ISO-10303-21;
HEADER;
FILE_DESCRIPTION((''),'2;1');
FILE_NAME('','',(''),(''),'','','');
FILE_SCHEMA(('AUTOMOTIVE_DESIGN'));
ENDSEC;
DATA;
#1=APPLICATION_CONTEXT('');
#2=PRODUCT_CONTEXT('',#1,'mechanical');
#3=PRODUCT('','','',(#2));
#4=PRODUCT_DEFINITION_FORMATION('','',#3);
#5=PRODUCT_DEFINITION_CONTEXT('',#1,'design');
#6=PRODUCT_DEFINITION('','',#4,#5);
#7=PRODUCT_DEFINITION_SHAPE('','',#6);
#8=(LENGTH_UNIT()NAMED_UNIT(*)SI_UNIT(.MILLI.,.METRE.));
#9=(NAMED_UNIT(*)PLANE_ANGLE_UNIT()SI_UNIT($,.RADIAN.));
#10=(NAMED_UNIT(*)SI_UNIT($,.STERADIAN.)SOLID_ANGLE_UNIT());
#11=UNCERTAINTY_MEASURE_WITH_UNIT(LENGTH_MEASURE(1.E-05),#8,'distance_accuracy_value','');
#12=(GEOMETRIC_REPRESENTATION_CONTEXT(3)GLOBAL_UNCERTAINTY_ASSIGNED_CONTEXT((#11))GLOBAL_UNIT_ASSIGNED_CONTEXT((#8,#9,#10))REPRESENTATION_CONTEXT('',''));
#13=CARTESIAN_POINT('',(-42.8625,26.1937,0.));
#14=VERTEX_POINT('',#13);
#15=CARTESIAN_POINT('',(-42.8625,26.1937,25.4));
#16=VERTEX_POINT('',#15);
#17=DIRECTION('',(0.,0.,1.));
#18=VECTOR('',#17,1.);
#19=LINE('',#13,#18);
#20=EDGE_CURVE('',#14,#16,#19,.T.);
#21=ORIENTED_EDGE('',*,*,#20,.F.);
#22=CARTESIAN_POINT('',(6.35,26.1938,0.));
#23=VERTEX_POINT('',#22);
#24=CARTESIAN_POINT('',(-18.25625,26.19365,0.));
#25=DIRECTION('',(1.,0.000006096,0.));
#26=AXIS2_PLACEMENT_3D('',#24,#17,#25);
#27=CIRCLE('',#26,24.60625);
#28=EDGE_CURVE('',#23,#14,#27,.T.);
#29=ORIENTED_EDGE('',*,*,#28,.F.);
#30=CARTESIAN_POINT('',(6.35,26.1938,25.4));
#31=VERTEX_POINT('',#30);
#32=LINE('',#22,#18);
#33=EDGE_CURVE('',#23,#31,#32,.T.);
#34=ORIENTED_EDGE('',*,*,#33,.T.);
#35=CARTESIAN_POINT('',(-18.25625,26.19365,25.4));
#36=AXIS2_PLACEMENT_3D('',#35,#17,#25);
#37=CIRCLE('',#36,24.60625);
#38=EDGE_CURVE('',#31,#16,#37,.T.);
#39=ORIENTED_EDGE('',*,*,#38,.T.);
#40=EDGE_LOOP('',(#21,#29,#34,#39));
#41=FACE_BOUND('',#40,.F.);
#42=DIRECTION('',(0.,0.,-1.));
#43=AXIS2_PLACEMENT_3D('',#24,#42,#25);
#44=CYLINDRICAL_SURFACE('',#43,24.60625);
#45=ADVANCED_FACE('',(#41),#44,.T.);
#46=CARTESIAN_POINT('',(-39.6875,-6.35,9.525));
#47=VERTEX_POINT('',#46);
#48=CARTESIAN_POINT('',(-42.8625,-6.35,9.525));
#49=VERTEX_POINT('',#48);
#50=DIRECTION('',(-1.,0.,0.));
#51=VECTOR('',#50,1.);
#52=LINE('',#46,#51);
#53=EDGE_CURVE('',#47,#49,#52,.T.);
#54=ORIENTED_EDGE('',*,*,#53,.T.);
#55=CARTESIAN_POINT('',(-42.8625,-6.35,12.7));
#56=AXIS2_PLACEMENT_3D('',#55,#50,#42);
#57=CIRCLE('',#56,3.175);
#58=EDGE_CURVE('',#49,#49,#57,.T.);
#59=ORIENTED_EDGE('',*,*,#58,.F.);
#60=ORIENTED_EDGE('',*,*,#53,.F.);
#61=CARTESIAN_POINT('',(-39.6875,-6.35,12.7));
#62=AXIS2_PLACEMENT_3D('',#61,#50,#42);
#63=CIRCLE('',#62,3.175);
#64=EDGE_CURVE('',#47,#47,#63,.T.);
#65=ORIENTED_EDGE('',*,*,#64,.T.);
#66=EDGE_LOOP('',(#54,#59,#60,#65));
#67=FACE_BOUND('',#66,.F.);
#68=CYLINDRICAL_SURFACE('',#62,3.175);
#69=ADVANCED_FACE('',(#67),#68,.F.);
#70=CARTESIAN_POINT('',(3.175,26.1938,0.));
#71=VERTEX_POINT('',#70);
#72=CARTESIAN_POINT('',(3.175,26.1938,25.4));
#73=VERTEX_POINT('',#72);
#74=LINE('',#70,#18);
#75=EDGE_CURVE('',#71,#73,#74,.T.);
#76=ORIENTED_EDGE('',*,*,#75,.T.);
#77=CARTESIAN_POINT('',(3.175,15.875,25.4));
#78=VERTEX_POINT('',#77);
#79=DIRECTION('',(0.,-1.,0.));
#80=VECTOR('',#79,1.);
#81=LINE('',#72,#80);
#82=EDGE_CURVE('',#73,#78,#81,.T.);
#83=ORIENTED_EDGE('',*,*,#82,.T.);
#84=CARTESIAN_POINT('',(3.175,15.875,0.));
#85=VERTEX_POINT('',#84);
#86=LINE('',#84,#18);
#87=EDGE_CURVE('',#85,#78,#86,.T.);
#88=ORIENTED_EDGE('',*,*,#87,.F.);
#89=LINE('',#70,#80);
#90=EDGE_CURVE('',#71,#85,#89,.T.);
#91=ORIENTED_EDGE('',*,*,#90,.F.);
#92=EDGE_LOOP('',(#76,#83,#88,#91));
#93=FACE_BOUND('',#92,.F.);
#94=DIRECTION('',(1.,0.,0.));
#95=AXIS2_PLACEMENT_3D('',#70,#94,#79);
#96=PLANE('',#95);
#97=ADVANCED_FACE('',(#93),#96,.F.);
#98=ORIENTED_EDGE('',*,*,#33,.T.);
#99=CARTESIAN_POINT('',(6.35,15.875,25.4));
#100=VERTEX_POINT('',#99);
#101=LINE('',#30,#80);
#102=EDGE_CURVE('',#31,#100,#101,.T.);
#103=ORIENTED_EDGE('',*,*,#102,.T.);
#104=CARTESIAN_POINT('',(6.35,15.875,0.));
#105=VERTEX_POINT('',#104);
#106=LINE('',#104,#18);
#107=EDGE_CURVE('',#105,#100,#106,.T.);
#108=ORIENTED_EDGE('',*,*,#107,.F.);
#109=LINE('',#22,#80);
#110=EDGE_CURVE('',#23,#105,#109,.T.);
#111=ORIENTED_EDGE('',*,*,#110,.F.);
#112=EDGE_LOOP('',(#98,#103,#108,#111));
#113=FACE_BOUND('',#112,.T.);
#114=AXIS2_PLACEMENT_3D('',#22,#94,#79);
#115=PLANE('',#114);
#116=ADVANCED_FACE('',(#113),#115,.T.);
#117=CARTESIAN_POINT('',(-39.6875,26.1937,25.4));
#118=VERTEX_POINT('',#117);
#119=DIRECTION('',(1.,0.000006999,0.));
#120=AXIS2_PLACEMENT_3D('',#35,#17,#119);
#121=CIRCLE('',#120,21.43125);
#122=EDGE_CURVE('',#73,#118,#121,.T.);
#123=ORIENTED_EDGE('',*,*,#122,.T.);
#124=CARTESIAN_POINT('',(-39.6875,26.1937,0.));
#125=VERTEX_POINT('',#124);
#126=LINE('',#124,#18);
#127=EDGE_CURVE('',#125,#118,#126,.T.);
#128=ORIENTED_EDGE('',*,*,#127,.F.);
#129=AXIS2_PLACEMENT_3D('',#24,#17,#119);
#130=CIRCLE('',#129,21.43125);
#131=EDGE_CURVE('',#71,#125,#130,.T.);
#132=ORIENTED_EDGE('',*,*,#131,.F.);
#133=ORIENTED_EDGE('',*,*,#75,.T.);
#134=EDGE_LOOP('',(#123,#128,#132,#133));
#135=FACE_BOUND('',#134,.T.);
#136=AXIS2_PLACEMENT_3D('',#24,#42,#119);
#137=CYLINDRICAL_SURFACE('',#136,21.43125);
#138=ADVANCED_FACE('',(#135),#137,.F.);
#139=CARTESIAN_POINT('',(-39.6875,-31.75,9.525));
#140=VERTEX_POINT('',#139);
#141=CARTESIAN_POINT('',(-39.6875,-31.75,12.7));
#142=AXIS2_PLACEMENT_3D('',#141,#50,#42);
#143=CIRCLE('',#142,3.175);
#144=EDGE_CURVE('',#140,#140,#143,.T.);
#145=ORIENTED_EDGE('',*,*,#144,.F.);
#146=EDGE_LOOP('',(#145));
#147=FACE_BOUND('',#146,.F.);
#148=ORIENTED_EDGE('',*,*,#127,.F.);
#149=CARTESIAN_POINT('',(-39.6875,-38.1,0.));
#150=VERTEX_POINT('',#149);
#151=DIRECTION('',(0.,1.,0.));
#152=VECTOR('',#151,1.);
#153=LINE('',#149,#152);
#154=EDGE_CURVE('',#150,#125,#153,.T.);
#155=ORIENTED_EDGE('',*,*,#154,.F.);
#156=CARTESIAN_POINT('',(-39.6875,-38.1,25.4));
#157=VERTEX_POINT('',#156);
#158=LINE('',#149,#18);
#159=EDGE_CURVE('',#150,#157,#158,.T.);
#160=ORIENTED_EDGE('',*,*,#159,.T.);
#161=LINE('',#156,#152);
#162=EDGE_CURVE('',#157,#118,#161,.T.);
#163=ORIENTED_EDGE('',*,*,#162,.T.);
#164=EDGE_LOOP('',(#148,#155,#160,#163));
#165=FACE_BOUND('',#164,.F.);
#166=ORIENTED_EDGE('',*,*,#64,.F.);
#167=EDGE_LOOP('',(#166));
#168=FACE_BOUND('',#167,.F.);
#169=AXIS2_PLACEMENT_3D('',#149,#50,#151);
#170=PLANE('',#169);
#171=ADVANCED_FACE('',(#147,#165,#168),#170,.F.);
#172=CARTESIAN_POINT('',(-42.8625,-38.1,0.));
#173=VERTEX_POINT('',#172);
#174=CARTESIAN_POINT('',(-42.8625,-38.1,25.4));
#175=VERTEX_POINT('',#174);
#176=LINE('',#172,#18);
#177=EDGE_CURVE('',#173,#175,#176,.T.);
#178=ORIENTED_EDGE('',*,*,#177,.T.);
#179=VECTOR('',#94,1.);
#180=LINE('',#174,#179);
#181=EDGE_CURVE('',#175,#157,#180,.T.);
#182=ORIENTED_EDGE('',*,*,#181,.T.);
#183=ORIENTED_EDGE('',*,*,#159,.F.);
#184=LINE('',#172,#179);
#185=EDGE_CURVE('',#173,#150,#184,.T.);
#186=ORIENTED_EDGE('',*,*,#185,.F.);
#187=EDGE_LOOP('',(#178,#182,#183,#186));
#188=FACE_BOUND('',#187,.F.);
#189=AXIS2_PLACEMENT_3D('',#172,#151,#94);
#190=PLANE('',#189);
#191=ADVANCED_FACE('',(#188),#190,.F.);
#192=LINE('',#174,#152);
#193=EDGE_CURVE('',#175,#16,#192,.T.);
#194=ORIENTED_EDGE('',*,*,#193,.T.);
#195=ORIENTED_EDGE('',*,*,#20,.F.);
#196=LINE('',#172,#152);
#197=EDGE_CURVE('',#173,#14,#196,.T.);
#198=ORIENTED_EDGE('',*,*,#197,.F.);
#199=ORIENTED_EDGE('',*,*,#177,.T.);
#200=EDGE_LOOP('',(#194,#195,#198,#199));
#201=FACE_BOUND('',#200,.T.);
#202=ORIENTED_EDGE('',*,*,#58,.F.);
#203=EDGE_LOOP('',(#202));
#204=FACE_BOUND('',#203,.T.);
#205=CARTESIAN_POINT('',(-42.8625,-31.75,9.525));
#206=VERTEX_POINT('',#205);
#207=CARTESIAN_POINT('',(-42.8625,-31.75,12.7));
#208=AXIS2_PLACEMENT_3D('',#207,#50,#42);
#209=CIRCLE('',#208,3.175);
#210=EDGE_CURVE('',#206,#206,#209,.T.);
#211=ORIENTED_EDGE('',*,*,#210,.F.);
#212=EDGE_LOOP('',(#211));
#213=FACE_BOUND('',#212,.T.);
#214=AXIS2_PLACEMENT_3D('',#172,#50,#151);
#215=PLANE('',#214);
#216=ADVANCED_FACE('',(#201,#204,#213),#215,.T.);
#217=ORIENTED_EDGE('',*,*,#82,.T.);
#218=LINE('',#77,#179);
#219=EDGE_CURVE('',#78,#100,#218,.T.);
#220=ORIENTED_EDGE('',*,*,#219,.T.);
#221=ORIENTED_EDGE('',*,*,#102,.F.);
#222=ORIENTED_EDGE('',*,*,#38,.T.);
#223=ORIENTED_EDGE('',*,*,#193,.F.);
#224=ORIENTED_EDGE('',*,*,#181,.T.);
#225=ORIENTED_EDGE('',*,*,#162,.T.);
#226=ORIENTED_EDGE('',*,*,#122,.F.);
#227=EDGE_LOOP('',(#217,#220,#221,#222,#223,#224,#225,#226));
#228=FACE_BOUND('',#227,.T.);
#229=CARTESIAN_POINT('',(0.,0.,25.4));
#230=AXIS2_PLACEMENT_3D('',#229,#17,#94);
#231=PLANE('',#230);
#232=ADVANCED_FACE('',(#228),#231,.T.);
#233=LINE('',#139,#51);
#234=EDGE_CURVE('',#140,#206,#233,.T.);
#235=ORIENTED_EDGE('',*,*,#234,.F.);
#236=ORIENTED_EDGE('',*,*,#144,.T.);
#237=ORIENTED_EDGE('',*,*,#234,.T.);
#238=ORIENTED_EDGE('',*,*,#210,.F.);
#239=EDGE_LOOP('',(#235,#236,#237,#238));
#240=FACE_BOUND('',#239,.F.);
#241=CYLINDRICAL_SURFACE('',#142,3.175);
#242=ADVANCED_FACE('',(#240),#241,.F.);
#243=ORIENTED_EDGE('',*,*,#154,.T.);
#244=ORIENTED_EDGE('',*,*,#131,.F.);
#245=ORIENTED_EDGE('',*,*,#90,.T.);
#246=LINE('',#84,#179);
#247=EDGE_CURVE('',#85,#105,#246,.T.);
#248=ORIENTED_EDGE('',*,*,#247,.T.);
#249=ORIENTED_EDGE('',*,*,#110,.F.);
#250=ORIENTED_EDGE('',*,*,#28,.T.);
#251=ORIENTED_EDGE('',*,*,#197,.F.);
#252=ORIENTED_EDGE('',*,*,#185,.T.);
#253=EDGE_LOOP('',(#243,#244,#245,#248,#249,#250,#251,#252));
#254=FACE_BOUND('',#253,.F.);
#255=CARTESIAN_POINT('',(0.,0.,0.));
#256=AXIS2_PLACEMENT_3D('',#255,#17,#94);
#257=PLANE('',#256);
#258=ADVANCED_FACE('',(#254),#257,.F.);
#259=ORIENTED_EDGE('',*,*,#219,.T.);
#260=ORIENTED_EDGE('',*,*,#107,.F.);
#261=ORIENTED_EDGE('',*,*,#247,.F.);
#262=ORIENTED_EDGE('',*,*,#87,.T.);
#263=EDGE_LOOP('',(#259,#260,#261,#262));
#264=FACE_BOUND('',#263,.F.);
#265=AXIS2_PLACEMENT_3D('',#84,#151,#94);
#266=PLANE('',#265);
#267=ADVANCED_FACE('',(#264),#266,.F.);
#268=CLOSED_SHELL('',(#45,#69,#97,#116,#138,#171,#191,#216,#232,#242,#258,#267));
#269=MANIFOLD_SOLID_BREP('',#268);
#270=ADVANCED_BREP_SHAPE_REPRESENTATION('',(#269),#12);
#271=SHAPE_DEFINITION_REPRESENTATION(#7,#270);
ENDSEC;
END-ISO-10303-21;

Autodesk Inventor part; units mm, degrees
ref_plane "YZ Plane" through (0, 0, 0) normal (1, 0, 0) x (0, 1, 0)
ref_plane "XZ Plane" through (0, 0, 0) normal (0, 1, 0) x (-1, 0, 0)
ref_plane "XY Plane" through (0, 0, 0) normal (0, 0, 1) x (1, 0, 0)
sketch "Sketch1" plane through (0, 0, 0) normal (0, 0, 1) x (1, 0, 0)
  line L0 (-42.8625, -38.1) -> (-42.8625, 26.1937)
  arc A0 (6.35, 26.1938) -> (-42.8625, 26.1937) centre (-18.2562, 26.1937) ccw
  line L1 (6.35, 26.1938) -> (6.35, 15.875)
  line L2 (-39.6875, -38.1) -> (-39.6875, 26.1937)
  arc A1 (3.175, 26.1938) -> (-39.6875, 26.1937) centre (-18.2562, 26.1937) ccw
  line L3 (3.175, 26.1938) -> (3.175, 15.875)
  line L4 (-42.8625, -38.1) -> (-39.6875, -38.1)
  line L5 (3.175, 15.875) -> (6.35, 15.875)
  dimension "d0" = 3.175
  dimension "d1" = 88.9
  dimension "d2" = 21.4312
  dimension "d3" = 34.925
extrude "Extrusion1" add sketch "Sketch1" along normal blind 25.4
hole "Hole1" at (-39.6875, -31.75, 12.7) direction (-1, 0, 0) diameter 6.35 end through all
pattern_linear "Rectangular Pattern1" count 2 spacing 25.4 along (0, 1, 0) of "Hole1"
properties part number "FE-00016"
